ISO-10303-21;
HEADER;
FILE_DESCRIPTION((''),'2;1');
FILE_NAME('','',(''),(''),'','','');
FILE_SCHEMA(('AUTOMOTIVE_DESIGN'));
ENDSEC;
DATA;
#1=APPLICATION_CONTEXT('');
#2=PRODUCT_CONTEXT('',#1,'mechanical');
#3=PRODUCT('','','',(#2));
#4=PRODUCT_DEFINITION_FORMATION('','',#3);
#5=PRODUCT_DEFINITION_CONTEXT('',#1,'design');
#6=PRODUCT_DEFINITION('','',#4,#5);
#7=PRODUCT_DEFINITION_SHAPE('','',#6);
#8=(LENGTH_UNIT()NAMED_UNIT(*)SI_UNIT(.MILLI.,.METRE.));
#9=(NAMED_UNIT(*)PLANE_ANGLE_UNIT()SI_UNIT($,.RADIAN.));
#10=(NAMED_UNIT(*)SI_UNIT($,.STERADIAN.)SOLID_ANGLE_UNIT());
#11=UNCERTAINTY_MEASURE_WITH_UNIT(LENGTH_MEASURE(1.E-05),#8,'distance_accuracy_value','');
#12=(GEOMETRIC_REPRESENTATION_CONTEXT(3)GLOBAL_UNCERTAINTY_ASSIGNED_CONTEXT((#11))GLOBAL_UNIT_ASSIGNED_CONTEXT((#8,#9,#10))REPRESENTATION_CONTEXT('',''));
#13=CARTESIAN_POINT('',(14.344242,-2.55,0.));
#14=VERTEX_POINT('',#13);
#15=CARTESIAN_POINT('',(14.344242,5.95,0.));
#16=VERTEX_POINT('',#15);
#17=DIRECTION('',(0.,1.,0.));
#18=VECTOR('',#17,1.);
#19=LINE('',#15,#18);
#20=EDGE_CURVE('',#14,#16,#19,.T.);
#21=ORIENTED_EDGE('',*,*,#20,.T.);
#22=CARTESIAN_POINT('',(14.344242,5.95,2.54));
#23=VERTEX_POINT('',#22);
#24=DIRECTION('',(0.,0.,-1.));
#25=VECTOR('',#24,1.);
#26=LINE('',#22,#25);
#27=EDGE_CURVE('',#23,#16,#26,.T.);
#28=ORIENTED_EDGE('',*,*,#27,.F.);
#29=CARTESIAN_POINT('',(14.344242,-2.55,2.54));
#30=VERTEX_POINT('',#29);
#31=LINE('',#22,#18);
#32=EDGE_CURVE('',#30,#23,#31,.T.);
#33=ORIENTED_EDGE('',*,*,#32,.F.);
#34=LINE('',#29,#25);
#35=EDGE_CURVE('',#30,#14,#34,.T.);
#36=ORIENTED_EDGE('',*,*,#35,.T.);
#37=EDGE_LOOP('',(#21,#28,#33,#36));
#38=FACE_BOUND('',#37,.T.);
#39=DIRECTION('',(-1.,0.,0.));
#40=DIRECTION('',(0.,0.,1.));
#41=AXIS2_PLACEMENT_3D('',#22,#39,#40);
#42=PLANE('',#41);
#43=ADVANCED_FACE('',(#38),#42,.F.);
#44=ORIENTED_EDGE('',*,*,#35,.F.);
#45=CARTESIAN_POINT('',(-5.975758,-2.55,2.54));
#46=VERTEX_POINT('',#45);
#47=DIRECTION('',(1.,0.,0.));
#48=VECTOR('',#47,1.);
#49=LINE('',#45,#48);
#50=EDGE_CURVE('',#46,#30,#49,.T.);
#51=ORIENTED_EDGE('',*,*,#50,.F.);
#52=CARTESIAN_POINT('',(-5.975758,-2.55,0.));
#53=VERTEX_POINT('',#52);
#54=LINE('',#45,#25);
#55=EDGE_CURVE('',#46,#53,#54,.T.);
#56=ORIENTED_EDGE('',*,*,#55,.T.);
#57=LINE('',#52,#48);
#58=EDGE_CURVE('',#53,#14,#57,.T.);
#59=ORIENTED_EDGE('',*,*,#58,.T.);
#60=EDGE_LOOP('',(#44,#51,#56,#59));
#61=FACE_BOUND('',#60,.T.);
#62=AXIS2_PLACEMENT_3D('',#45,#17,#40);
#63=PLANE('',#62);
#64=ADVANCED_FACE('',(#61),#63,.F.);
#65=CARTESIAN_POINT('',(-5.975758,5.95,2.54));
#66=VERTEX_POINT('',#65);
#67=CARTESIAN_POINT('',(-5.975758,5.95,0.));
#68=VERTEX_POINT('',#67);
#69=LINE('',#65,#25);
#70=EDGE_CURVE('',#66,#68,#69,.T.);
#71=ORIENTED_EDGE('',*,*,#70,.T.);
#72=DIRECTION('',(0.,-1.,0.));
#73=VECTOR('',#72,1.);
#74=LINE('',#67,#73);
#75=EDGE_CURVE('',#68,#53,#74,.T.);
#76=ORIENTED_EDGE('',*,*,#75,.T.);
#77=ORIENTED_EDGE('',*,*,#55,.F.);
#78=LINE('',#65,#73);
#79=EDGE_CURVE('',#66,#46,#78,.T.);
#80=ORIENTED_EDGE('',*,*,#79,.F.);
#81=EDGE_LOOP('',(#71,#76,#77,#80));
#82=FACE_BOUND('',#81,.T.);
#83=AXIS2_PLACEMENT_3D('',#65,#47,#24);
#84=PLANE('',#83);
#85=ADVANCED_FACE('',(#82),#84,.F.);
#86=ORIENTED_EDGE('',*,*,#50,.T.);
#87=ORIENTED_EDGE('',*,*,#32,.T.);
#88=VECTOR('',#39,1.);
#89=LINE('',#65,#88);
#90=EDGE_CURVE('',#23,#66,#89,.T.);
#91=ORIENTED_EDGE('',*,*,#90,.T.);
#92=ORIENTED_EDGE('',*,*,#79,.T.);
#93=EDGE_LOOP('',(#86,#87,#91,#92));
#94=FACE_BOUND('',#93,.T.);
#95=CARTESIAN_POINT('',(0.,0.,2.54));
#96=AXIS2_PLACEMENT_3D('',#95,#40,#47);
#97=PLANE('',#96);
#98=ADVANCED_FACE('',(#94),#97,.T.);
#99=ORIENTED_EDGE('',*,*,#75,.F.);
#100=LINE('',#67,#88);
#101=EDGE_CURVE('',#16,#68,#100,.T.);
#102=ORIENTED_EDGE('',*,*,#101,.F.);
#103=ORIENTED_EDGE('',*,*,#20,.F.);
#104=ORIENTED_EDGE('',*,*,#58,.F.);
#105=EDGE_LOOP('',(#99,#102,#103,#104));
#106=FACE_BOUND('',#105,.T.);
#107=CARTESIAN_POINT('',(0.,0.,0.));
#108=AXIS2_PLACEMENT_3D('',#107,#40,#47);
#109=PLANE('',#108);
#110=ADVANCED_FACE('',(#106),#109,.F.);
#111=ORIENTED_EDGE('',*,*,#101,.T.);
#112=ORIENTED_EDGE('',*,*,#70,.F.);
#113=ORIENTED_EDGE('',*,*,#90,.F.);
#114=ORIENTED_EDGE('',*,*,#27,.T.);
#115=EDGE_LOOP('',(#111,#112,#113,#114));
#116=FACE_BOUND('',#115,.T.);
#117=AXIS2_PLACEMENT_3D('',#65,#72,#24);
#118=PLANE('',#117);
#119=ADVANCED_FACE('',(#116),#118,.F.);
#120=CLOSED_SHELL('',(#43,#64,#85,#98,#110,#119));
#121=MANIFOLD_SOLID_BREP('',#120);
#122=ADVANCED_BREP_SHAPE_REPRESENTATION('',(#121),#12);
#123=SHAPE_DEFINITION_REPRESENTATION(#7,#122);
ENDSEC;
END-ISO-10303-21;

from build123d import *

# Parameters (mm, degrees)
SKETCH_1_W      = 20.32
SKETCH_1_H      = 8.5
EXTRUDE_1_DEPTH = 2.54


with BuildPart() as part:
    # 草图1 → 凸台-拉伸1 (new body)
    with BuildSketch(Plane.XY):
        with Locations((4.184242424, 1.7)):
            Rectangle(SKETCH_1_W, SKETCH_1_H)
    extrude(amount=EXTRUDE_1_DEPTH)


solid = part.part
